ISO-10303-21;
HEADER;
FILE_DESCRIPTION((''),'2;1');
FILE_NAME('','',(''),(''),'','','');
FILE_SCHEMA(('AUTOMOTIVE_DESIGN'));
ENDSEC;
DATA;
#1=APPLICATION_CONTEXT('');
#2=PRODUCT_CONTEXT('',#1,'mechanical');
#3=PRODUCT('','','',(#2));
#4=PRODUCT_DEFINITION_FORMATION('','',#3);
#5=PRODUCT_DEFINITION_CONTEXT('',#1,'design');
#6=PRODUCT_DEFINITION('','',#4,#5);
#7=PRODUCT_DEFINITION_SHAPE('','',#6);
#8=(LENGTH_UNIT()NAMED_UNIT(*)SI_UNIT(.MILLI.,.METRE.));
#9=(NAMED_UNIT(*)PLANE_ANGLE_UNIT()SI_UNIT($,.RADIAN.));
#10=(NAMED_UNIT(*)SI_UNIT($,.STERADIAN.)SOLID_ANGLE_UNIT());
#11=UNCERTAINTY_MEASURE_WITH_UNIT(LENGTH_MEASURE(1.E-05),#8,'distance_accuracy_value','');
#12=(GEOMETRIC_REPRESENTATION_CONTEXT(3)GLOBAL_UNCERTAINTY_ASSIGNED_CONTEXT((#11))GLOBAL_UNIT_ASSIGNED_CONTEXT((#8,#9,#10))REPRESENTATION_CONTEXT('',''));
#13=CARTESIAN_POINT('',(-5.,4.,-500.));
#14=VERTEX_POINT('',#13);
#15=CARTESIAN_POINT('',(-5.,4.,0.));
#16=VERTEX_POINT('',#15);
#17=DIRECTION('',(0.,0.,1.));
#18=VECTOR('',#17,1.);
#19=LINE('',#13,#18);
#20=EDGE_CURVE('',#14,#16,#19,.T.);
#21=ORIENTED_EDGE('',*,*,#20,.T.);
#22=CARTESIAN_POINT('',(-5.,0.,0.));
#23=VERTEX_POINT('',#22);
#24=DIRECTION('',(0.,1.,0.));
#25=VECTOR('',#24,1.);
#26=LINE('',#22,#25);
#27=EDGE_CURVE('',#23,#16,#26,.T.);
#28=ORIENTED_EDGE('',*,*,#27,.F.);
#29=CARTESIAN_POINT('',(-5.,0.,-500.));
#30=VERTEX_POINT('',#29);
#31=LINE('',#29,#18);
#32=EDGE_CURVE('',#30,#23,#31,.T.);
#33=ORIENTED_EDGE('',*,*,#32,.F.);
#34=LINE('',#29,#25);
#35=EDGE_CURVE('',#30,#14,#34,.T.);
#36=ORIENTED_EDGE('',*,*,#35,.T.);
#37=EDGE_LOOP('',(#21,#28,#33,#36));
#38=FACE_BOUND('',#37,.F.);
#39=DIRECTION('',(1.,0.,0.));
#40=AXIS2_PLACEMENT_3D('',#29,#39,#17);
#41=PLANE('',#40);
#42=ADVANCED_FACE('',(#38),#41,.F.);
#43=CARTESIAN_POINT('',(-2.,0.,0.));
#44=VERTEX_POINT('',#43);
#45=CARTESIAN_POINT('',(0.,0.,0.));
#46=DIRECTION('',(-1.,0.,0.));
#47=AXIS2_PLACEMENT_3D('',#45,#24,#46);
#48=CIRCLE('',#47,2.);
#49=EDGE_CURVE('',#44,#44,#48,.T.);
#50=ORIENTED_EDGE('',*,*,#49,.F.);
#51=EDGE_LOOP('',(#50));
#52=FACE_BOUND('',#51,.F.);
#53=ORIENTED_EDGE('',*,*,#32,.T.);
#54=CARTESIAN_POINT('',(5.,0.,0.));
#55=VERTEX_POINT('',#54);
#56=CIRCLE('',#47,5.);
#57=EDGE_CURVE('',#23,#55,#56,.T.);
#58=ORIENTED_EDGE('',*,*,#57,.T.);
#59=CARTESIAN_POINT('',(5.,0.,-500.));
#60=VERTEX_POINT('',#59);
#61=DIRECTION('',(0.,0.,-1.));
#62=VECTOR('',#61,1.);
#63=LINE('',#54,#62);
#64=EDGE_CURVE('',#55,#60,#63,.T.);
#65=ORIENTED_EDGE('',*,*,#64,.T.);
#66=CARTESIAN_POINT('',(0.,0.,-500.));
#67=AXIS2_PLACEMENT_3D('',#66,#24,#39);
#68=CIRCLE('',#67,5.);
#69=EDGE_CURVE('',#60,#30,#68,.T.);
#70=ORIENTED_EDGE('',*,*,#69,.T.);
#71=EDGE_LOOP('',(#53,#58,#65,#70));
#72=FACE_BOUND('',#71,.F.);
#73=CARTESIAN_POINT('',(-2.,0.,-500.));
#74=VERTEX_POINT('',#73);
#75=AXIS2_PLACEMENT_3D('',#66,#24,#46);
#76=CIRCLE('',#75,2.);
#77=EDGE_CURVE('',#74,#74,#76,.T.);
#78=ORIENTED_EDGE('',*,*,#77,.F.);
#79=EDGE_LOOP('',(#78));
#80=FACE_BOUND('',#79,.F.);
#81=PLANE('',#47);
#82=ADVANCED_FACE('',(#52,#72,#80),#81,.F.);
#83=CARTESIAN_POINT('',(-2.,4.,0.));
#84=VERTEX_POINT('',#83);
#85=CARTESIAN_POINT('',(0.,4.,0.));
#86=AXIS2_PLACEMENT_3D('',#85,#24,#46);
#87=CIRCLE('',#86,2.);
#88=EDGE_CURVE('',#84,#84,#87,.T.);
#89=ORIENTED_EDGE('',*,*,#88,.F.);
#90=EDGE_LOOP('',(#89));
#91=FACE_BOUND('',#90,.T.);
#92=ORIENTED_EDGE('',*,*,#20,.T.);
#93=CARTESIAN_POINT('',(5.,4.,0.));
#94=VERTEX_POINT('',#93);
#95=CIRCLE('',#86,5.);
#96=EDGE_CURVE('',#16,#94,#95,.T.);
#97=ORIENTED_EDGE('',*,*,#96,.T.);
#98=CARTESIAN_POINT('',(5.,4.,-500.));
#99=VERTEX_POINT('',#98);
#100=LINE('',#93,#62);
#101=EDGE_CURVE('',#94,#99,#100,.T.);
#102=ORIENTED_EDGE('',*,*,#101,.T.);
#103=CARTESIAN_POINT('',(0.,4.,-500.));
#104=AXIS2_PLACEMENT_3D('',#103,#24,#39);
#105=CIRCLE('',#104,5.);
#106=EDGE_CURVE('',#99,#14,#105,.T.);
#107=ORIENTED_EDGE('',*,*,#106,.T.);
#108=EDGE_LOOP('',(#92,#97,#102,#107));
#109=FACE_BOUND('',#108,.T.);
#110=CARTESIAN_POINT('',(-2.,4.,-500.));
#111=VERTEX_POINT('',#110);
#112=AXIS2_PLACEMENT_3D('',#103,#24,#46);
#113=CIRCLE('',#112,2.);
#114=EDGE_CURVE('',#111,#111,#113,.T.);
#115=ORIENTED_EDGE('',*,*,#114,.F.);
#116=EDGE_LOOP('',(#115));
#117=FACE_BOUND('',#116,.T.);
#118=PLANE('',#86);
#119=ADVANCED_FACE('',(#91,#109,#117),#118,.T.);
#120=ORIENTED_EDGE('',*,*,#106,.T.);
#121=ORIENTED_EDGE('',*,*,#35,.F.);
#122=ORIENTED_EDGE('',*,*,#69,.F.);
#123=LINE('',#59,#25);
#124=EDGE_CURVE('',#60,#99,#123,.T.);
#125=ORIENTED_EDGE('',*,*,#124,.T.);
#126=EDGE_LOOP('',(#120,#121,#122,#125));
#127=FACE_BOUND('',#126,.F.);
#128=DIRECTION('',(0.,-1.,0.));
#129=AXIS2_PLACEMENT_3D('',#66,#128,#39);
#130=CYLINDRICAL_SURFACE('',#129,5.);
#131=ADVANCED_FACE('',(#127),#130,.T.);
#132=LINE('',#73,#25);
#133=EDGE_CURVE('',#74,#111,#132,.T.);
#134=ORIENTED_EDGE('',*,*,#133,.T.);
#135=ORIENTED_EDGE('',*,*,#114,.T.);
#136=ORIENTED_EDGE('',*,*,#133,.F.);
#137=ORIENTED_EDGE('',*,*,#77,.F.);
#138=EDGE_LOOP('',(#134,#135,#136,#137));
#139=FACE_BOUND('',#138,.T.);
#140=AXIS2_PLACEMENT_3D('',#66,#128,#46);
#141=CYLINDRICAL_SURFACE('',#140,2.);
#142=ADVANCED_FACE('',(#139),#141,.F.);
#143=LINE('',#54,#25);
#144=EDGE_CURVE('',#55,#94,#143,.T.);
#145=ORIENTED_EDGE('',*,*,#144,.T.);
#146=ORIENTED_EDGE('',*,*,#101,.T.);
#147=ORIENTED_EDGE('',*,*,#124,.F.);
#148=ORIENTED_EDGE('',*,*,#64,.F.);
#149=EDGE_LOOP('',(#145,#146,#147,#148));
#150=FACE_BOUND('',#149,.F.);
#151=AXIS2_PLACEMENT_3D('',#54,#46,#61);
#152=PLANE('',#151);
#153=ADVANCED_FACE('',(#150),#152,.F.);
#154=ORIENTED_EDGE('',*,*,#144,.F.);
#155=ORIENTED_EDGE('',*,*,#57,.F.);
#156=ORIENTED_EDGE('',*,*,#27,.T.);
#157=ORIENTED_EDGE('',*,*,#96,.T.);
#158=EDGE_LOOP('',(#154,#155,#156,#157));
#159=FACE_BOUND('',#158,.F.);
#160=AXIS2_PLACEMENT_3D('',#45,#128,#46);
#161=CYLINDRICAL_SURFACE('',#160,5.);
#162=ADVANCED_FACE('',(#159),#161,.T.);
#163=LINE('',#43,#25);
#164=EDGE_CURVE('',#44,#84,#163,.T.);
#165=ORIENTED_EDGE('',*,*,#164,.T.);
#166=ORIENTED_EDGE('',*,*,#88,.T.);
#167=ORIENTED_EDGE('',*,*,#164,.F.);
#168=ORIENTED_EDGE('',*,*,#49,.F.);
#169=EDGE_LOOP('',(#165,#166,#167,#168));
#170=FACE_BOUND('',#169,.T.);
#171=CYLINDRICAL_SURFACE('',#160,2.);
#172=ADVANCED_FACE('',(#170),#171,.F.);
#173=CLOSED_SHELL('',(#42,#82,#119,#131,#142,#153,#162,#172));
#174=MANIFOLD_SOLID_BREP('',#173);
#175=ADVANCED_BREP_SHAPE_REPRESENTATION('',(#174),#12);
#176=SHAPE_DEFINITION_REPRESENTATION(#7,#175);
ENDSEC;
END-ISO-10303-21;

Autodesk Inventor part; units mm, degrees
ref_plane "XZ Plane" through (0, 0, 0) normal (0, 1, 0) x (-1, 0, 0)
ref_plane "XY Plane" through (0, 0, 0) normal (0, 0, 1) x (1, 0, 0)
sketch "Sketch1" plane through (0, 0, 0) normal (0, 1, 0) x (-1, 0, 0)
  line L0 (0, 0) -> (0, -500) construction
  line L1 (-5, 0) -> (-5, -500)
  line L2 (5, -500) -> (5, 0)
  arc A0 (5, 0) -> (-5, 0) centre (0, 0) ccw
  arc A1 (-5, -500) -> (5, -500) centre (0, -500) ccw
  circle A2 centre (0, 0) radius 2
  circle A3 centre (0, -500) radius 2
  point P0 (0, -250)
  dimension "d0" = 500
  dimension "d1" = 10
  dimension "d2" = 4
  dimension "d3" = 4
extrude "Extrusion1" add sketch "Sketch1" along normal blind 4
properties part number "Test_arm_3"
